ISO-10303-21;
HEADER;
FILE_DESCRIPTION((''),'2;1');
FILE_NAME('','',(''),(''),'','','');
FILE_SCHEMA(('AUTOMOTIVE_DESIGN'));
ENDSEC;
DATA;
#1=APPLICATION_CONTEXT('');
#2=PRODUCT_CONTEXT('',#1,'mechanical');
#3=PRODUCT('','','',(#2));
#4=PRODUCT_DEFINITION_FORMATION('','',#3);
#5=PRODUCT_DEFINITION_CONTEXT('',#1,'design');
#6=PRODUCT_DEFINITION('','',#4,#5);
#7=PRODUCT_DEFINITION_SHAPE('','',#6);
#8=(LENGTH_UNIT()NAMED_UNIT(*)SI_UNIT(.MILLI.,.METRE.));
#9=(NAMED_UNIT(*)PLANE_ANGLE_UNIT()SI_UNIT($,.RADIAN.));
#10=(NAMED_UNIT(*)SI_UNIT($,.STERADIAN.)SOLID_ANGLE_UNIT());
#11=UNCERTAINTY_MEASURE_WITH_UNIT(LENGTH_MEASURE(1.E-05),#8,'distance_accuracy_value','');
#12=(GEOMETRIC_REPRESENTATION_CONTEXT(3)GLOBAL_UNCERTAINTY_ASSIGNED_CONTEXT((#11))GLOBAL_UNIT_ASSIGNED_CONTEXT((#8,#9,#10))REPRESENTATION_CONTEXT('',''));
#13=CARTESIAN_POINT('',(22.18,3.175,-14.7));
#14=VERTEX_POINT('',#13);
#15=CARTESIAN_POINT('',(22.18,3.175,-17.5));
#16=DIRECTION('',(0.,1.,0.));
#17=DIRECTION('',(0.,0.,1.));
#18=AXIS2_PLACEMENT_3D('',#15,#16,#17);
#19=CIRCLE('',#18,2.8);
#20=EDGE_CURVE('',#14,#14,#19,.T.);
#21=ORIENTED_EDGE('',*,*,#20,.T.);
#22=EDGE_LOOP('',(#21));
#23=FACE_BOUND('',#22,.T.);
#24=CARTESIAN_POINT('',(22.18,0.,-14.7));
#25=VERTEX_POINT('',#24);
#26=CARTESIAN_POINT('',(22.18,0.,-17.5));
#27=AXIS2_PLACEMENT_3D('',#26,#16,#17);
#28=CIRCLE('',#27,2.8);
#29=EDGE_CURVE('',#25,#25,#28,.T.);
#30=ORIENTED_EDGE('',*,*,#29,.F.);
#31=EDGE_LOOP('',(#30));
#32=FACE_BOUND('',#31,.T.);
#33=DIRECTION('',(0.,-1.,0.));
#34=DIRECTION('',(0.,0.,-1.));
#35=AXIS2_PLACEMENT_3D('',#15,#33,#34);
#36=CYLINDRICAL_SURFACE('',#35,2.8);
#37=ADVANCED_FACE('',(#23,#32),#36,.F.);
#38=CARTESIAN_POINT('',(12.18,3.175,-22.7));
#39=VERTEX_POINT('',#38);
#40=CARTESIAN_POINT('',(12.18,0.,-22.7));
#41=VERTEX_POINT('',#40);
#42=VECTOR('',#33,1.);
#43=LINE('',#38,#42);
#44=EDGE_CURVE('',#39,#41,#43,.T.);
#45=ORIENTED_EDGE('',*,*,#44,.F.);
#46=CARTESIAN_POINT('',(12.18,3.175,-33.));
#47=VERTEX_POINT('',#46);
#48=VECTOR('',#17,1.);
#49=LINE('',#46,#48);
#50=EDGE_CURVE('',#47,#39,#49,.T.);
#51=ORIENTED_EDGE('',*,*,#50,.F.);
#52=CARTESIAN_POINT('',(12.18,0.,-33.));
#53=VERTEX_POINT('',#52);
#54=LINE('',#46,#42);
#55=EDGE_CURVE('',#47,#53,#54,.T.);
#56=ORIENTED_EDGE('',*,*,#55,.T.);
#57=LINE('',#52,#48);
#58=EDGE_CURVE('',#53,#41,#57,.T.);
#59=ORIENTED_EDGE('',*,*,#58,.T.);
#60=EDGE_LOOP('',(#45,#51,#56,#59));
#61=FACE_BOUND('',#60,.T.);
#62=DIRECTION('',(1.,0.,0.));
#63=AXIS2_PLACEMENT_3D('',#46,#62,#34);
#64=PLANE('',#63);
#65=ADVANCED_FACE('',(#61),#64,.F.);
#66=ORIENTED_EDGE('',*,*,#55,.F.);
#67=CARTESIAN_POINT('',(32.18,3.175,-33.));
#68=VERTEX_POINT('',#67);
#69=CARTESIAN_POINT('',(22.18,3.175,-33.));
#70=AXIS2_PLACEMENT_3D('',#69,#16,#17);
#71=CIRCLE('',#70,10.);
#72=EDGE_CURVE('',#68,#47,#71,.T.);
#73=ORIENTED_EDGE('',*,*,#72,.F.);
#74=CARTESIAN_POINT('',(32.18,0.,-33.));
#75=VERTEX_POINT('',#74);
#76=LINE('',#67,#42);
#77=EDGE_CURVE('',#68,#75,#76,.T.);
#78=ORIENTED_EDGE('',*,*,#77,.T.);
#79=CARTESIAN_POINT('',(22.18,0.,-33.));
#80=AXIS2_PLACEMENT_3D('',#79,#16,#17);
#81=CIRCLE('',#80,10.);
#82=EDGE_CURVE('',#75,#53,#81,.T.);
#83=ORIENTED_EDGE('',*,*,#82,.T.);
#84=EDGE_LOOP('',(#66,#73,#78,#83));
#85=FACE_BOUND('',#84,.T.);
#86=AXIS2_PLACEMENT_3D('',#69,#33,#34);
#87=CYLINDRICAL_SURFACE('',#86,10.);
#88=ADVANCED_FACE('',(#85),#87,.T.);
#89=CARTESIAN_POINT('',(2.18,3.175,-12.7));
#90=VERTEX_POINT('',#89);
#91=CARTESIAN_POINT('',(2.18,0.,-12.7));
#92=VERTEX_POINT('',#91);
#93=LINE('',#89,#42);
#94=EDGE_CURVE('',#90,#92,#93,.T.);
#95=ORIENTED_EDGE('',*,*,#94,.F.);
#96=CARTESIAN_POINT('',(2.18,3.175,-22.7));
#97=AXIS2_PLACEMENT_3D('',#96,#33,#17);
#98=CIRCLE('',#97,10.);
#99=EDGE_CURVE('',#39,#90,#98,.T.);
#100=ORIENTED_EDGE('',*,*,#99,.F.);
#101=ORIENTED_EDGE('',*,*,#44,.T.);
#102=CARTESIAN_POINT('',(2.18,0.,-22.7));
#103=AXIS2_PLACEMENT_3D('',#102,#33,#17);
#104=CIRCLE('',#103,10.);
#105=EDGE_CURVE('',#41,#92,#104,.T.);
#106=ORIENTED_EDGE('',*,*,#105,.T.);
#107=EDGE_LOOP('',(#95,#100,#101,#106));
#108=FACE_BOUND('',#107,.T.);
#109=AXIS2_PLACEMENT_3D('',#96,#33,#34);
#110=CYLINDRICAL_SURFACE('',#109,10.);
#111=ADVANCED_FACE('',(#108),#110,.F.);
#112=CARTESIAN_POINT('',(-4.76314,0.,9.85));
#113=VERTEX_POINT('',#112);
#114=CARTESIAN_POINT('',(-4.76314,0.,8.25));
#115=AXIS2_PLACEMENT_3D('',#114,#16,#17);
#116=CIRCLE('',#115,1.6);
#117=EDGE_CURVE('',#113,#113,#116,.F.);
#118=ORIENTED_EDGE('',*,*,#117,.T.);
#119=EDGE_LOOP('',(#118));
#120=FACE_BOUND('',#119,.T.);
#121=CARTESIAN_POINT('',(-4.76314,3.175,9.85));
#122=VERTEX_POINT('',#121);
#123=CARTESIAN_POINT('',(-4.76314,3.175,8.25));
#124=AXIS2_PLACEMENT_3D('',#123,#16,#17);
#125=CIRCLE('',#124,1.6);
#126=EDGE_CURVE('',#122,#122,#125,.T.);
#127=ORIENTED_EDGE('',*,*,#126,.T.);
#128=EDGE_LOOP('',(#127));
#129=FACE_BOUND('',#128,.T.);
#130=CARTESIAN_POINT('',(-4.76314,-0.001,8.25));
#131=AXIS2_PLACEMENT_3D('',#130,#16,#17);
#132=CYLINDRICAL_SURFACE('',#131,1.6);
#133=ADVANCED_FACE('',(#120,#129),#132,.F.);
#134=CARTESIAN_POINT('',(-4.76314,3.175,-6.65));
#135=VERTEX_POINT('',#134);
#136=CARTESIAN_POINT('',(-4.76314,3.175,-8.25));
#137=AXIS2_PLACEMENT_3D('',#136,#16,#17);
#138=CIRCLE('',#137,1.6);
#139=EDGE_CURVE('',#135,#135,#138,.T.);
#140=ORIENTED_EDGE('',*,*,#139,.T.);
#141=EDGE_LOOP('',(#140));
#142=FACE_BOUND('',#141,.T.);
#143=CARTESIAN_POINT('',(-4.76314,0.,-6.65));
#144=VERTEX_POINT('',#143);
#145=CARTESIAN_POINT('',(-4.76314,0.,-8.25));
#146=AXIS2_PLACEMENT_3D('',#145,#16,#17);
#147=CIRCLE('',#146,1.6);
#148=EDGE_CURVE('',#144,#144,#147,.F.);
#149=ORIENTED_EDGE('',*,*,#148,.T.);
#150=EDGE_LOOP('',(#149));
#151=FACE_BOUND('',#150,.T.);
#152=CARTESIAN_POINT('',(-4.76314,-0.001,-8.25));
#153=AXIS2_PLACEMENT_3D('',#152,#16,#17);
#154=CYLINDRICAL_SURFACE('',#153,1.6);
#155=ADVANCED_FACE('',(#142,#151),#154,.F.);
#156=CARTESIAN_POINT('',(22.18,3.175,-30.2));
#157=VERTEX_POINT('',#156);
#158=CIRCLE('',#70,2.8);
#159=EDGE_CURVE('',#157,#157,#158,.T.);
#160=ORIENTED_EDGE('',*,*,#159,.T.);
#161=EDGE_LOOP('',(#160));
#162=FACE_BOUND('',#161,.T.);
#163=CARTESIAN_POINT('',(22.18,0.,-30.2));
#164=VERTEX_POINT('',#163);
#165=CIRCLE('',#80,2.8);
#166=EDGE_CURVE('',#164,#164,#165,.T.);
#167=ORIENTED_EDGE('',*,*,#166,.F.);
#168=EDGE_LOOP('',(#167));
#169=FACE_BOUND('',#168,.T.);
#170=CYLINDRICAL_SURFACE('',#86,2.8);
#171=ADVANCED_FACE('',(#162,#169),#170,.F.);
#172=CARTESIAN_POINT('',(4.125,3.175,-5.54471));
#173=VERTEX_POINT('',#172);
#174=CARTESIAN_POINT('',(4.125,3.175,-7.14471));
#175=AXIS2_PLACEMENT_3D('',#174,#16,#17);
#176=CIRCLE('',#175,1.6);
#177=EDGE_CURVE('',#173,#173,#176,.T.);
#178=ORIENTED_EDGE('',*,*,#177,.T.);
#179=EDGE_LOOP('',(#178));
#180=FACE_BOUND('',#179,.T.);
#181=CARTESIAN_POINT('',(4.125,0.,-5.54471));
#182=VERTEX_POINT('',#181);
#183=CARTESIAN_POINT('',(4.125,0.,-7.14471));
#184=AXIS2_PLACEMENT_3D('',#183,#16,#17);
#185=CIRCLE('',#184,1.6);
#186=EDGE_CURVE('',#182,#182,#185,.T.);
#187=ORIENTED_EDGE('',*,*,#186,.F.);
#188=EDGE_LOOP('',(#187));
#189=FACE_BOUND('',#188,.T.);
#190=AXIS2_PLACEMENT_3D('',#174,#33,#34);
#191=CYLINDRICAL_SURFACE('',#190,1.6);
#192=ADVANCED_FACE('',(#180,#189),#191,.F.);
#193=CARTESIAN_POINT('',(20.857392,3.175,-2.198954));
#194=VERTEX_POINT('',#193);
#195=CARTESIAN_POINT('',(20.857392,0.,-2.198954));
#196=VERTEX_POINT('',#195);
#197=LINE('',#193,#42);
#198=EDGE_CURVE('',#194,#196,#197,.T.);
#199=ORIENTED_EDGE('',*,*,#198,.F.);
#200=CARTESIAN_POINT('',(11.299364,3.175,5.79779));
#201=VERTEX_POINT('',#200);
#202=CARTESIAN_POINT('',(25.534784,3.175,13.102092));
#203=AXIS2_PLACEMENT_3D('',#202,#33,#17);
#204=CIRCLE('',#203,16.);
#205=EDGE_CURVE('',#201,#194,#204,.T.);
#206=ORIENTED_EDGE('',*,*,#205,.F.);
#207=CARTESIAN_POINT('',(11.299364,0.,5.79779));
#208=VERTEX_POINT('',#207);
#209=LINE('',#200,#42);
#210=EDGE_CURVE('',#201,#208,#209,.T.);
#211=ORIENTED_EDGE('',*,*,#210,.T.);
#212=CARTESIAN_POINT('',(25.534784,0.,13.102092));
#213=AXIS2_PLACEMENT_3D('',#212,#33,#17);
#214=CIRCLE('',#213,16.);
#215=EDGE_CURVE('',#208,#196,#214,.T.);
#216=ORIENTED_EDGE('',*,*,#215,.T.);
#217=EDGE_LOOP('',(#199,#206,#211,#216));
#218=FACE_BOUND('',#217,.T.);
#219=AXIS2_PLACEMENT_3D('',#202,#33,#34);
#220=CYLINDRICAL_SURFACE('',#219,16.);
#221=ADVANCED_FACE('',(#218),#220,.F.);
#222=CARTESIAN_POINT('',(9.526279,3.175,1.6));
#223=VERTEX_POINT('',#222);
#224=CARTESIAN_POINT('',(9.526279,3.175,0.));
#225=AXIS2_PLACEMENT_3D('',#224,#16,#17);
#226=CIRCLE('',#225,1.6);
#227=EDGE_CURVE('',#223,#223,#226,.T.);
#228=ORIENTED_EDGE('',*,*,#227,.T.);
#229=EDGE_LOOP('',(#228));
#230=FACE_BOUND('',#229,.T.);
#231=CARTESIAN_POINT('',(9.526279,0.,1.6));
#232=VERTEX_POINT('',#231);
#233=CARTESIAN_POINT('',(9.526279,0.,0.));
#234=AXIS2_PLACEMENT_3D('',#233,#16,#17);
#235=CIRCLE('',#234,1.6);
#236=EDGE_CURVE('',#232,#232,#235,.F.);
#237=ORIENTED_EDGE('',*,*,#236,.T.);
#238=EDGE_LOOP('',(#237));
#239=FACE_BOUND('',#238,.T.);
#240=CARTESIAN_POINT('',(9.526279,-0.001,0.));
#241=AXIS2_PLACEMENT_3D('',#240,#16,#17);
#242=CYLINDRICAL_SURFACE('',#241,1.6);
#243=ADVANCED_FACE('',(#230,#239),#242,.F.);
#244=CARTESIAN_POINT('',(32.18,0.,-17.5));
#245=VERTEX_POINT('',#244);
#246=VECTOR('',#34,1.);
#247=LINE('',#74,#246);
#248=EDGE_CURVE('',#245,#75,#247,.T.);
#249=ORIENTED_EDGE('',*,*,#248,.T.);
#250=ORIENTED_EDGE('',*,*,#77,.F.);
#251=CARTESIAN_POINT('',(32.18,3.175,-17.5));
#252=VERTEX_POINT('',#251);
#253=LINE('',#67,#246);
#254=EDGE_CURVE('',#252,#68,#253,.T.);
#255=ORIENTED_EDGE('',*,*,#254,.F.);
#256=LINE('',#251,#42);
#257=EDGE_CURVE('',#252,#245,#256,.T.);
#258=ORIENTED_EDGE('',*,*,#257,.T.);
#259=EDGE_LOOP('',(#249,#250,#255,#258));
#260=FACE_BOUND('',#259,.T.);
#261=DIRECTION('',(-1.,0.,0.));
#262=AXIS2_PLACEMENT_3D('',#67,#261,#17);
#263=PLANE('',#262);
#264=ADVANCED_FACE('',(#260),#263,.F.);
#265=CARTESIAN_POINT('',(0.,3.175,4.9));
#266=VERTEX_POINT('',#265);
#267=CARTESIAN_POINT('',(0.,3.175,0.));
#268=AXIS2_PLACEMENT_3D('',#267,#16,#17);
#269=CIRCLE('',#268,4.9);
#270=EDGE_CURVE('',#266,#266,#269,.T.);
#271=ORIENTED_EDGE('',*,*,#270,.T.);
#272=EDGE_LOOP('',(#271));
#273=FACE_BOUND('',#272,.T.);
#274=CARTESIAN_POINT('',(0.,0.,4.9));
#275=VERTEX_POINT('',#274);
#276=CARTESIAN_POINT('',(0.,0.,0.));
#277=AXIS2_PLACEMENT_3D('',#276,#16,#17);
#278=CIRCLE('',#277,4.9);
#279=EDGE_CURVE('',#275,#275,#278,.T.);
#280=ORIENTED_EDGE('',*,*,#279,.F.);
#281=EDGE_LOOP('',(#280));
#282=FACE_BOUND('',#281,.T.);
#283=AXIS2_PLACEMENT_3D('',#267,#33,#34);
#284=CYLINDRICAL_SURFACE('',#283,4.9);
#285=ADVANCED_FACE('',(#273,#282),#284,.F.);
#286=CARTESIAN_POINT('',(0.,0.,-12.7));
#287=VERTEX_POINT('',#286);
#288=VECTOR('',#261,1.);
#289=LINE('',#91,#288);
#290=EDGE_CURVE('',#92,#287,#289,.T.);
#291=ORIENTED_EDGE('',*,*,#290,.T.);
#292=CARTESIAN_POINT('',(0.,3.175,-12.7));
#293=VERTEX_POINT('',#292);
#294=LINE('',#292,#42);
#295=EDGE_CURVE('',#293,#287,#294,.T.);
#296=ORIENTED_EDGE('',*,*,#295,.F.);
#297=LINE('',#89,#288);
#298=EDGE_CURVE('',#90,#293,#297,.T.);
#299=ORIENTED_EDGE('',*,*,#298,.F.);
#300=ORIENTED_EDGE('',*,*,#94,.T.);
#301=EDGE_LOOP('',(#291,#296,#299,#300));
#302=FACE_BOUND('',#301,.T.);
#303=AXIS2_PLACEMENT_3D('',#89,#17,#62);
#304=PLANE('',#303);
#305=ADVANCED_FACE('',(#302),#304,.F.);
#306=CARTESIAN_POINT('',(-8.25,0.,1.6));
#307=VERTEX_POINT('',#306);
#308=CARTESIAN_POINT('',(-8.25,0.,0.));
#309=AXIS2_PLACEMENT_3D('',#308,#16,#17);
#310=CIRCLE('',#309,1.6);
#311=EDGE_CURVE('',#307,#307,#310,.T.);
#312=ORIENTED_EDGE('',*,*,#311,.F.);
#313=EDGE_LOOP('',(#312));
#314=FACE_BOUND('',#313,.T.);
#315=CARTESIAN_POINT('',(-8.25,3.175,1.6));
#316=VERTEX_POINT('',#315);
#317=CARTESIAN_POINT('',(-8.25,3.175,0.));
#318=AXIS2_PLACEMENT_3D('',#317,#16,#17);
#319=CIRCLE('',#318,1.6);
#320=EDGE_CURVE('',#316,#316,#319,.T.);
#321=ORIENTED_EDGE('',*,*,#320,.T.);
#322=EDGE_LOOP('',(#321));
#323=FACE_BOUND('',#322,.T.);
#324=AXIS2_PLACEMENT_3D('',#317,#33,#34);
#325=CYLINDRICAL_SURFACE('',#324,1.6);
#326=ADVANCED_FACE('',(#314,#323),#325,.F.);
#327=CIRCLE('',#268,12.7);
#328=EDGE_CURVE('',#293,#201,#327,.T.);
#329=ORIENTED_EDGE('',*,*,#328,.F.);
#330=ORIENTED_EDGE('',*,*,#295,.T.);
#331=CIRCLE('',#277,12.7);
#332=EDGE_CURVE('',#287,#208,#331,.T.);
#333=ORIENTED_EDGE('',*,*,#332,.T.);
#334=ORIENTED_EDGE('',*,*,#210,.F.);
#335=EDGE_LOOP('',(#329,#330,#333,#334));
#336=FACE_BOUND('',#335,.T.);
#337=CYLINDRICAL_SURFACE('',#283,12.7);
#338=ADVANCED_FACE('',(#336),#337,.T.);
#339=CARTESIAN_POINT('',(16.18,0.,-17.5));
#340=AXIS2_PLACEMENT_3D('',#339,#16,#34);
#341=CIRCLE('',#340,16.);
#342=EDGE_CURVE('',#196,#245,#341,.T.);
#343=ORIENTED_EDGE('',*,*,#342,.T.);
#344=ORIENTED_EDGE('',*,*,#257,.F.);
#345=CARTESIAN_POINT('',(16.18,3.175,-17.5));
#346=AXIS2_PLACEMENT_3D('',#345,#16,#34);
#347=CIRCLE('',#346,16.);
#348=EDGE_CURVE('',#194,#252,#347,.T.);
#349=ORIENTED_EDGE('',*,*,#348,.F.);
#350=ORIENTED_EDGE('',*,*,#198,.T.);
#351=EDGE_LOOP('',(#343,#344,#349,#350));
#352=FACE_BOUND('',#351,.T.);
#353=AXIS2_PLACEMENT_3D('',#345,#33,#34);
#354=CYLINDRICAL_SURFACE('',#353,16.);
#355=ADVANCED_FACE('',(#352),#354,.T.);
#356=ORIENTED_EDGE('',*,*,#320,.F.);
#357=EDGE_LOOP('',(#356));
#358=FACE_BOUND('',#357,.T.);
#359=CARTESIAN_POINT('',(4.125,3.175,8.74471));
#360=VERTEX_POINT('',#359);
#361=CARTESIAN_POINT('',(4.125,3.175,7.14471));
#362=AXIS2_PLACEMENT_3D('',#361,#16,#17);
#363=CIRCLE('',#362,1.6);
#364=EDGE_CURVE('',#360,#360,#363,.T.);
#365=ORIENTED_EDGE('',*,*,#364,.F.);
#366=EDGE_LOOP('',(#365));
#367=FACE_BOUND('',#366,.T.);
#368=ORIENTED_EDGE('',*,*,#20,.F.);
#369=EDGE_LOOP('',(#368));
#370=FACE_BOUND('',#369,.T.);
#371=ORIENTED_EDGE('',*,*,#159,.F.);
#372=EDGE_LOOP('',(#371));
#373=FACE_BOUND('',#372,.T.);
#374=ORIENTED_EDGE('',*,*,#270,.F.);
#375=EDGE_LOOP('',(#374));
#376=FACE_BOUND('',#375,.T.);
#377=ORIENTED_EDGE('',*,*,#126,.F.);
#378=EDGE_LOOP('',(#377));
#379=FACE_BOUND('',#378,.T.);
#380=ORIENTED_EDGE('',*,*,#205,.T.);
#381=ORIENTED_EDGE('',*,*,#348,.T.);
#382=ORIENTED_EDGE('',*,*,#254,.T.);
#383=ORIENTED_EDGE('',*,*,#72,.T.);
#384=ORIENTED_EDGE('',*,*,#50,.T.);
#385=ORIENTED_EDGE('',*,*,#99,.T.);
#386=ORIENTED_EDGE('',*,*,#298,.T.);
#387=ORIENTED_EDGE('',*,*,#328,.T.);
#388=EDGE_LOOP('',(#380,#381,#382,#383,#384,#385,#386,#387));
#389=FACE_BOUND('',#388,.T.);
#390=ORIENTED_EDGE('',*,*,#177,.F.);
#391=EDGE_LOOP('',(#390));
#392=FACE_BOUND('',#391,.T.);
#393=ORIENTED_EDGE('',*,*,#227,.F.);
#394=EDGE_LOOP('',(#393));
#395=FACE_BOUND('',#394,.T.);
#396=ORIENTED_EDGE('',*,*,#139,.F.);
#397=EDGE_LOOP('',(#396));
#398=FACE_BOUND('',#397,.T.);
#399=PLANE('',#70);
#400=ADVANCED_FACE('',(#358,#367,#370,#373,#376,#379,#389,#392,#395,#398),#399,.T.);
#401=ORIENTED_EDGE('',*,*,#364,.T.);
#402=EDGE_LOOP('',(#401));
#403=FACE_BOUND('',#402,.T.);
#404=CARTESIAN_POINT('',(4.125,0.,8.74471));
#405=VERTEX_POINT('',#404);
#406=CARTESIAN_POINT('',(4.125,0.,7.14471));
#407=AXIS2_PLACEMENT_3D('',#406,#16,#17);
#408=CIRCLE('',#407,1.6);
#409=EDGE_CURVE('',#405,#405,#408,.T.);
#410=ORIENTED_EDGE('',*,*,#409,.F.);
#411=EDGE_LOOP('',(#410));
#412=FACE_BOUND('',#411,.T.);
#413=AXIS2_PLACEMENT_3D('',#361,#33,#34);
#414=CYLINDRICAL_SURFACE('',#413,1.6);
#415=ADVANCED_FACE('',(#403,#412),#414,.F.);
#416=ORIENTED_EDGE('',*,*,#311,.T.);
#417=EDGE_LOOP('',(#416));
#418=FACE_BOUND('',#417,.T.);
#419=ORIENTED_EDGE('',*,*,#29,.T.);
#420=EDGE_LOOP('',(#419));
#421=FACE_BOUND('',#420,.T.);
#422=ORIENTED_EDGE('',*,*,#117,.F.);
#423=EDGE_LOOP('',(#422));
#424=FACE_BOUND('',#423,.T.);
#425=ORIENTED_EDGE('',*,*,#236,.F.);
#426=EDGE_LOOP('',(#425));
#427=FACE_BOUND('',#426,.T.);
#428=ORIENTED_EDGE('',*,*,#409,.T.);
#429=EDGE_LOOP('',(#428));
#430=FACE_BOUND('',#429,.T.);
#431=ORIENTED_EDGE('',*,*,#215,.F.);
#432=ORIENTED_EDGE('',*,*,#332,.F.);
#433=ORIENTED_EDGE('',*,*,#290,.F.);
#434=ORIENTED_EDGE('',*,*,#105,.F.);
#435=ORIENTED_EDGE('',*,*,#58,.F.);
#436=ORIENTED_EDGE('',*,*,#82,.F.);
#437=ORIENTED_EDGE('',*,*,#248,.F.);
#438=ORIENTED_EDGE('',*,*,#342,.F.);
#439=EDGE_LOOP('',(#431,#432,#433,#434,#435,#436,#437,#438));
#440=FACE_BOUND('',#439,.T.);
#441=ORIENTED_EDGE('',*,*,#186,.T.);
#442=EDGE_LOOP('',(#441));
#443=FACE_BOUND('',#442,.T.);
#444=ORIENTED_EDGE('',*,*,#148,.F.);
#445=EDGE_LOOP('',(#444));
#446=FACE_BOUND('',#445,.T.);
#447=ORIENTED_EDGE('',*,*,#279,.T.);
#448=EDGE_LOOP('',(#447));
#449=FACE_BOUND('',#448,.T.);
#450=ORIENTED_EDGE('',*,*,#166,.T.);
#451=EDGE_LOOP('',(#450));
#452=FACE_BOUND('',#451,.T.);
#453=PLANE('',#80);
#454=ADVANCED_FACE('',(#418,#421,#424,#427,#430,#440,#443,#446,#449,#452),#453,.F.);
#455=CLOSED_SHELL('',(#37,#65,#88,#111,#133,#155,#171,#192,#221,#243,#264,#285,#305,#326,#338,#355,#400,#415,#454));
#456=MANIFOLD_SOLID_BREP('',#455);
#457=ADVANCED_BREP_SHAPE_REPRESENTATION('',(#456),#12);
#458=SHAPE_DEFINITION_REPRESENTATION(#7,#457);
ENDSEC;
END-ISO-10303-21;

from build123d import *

# Parameters (mm, degrees)
SKETCH1_R           = 2.8
SKETCH1_R_2         = 4.9
SKETCH1_R_3         = 1.6
BOSS_EXTRUDE1_DEPTH = 3.175
CUT_EXTRUDE1_REACH  = 5.175
SKETCH3_R           = 1.6


with BuildPart() as part:
    # Sketch1 → Boss-Extrude1 (new body)
    with BuildSketch(Plane(origin=(0, 0, 0), x_dir=(1, 0, 0), z_dir=(0, 1, 0))):
        with BuildLine():
            Line((12.18, 33), (12.18, 22.7))
            ThreePointArc((12.18, 22.7), (9.251067812, 15.628932188), (2.18, 12.7))
            Line((2.18, 12.7), (0, 12.7))
            ThreePointArc((0, 12.7), (-10.837940978, -6.620350093), (11.29936434, -5.797789709))
            ThreePointArc((11.29936434, -5.797789709), (15.26781807, -0.83060398), (20.857391991, 2.198954148))
            ThreePointArc((20.857391991, 2.198954148), (29.041537075, 7.982602032), (32.18, 17.5))
            Line((32.18, 17.5), (32.18, 33))
            ThreePointArc((32.18, 33), (22.18, 43), (12.18, 33))
        make_face()
        with Locations((22.18, 17.5)):
            Circle(SKETCH1_R, mode=Mode.SUBTRACT)
        with Locations((22.18, 33)):
            Circle(SKETCH1_R, mode=Mode.SUBTRACT)
        Circle(SKETCH1_R_2, mode=Mode.SUBTRACT)
        with Locations((-8.25, 0)):
            Circle(SKETCH1_R_3, mode=Mode.SUBTRACT)
        with Locations((4.125, 7.144709581)):
            Circle(SKETCH1_R_3, mode=Mode.SUBTRACT)
        with Locations((4.125, -7.144709581)):
            Circle(SKETCH1_R_3, mode=Mode.SUBTRACT)
    extrude(amount=BOSS_EXTRUDE1_DEPTH)

    # Sketch3 → Cut-Extrude1 (cut, up to next)
    with BuildSketch(Plane(origin=(0, 3.175, 0), x_dir=(1, 0, 0), z_dir=(0, 1, 0)), mode=Mode.PRIVATE) as cut_extrude1_sk1:
        with Locations((9.526279442, 0)):
            Circle(SKETCH3_R)
    cut_extrude1_tool1 = extrude(cut_extrude1_sk1.sketch, amount=-CUT_EXTRUDE1_REACH, mode=Mode.PRIVATE) & part.part
    add(cut_extrude1_tool1.solids().sort_by_distance((9.526279, 3.175, 0))[0], mode=Mode.SUBTRACT)
    # Sketch3 → Cut-Extrude1 (cut, up to next)
    with BuildSketch(Plane(origin=(0, 3.175, 0), x_dir=(1, 0, 0), z_dir=(0, 1, 0)), mode=Mode.PRIVATE) as cut_extrude1_sk2:
        with Locations((-4.763139721, -8.25)):
            Circle(SKETCH3_R)
    cut_extrude1_tool2 = extrude(cut_extrude1_sk2.sketch, amount=-CUT_EXTRUDE1_REACH, mode=Mode.PRIVATE) & part.part
    add(cut_extrude1_tool2.solids().sort_by_distance((-4.76314, 3.175, 8.25))[0], mode=Mode.SUBTRACT)
    # Sketch3 → Cut-Extrude1 (cut, up to next)
    with BuildSketch(Plane(origin=(0, 3.175, 0), x_dir=(1, 0, 0), z_dir=(0, 1, 0)), mode=Mode.PRIVATE) as cut_extrude1_sk3:
        with Locations((-4.763139721, 8.25)):
            Circle(SKETCH3_R)
    cut_extrude1_tool3 = extrude(cut_extrude1_sk3.sketch, amount=-CUT_EXTRUDE1_REACH, mode=Mode.PRIVATE) & part.part
    add(cut_extrude1_tool3.solids().sort_by_distance((-4.76314, 3.175, -8.25))[0], mode=Mode.SUBTRACT)


solid = part.part
